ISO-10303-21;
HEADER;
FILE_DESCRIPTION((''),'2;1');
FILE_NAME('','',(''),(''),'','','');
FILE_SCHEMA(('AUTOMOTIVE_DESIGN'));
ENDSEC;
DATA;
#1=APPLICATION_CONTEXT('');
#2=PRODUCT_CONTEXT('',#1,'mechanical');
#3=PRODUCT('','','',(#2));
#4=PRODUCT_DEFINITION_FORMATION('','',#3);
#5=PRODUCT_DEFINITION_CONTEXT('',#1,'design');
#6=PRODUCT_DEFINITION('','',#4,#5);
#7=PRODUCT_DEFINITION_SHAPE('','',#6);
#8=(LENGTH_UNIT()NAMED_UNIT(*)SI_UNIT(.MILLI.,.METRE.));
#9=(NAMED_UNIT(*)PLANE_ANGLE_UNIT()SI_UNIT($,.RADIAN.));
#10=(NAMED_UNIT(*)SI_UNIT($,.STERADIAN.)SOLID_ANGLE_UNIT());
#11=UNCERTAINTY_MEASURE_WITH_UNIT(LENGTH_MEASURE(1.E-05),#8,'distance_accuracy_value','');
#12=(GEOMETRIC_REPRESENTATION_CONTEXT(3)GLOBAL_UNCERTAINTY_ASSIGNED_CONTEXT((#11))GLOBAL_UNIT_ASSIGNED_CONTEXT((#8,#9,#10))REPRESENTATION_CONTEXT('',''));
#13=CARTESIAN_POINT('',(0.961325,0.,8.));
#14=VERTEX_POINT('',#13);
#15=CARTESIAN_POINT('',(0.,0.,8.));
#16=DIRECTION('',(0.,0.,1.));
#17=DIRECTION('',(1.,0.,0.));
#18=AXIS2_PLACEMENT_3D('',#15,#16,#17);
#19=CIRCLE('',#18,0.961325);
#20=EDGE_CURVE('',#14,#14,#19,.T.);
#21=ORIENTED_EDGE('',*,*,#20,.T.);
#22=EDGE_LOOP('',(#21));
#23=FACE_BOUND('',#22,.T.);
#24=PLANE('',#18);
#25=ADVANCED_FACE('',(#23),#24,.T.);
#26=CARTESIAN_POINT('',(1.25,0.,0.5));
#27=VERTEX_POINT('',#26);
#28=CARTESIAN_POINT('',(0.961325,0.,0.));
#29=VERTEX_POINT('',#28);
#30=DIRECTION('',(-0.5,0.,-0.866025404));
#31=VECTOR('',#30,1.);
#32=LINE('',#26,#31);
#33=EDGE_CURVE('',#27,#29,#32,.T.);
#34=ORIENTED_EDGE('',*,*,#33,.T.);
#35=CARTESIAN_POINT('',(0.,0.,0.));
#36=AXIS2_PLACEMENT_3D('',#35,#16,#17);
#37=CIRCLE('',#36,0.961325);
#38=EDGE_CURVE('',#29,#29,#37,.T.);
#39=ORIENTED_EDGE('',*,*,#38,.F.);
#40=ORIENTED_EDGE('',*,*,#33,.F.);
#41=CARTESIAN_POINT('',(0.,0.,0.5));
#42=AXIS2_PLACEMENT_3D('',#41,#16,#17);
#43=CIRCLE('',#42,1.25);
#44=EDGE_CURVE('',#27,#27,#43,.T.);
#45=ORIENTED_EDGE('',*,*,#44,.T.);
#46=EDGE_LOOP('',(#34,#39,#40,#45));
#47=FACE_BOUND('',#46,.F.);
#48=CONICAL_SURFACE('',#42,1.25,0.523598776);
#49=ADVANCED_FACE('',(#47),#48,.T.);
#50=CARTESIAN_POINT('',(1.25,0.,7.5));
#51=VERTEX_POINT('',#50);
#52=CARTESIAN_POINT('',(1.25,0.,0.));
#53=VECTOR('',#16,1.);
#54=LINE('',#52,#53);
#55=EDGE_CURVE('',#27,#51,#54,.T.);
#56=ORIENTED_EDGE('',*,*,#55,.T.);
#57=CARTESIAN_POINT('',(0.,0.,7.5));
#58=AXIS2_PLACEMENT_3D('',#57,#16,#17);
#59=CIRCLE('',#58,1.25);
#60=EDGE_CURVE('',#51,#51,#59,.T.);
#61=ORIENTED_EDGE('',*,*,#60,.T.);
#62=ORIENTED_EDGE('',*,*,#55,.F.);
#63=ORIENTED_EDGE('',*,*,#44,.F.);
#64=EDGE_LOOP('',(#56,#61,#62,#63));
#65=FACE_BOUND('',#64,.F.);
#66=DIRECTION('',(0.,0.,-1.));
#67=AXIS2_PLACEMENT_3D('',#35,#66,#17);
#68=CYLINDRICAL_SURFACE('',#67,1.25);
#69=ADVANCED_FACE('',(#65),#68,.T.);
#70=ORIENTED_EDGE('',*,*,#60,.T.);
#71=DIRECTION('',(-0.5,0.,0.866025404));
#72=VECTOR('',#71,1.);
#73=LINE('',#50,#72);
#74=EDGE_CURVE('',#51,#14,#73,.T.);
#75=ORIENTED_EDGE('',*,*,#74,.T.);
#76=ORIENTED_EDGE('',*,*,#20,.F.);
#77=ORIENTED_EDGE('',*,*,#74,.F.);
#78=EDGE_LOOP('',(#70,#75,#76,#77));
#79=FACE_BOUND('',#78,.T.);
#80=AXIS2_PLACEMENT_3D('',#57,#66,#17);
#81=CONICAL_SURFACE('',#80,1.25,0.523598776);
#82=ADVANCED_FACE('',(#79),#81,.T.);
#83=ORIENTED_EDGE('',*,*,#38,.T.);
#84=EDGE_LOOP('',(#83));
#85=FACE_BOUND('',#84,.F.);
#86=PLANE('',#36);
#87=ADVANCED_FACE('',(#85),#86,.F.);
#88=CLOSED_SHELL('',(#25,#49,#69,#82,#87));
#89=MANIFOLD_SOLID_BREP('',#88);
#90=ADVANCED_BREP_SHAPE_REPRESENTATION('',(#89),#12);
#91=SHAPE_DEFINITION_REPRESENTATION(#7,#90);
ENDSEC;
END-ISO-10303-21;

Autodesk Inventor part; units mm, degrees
ref_plane "YZ Plane" through (0, 0, 0) normal (1, 0, 0) x (0, 1, 0)
ref_plane "XZ Plane" through (0, 0, 0) normal (0, 1, 0) x (-1, 0, 0)
ref_plane "XY Plane" through (0, 0, 0) normal (0, 0, 1) x (1, 0, 0)
sketch "スケッチ1" plane through (0, 0, 0) normal (0, 0, 1) x (1, 0, 0)
  circle A0 centre (0, 0) radius 1.25
  dimension "d0" = 2.5
extrude "押し出し1" add sketch "スケッチ1" along normal blind 8
chamfer "面取り1" distance 0.5 angle 30 2 edges at (-1.25, 0, 8) (-1.25, 0, 0) measured on face at (1.2459, -0.1006, 5.3333)
properties part number "平行ピンΦ2.5,08" material "鋼、高強度、低合金"
